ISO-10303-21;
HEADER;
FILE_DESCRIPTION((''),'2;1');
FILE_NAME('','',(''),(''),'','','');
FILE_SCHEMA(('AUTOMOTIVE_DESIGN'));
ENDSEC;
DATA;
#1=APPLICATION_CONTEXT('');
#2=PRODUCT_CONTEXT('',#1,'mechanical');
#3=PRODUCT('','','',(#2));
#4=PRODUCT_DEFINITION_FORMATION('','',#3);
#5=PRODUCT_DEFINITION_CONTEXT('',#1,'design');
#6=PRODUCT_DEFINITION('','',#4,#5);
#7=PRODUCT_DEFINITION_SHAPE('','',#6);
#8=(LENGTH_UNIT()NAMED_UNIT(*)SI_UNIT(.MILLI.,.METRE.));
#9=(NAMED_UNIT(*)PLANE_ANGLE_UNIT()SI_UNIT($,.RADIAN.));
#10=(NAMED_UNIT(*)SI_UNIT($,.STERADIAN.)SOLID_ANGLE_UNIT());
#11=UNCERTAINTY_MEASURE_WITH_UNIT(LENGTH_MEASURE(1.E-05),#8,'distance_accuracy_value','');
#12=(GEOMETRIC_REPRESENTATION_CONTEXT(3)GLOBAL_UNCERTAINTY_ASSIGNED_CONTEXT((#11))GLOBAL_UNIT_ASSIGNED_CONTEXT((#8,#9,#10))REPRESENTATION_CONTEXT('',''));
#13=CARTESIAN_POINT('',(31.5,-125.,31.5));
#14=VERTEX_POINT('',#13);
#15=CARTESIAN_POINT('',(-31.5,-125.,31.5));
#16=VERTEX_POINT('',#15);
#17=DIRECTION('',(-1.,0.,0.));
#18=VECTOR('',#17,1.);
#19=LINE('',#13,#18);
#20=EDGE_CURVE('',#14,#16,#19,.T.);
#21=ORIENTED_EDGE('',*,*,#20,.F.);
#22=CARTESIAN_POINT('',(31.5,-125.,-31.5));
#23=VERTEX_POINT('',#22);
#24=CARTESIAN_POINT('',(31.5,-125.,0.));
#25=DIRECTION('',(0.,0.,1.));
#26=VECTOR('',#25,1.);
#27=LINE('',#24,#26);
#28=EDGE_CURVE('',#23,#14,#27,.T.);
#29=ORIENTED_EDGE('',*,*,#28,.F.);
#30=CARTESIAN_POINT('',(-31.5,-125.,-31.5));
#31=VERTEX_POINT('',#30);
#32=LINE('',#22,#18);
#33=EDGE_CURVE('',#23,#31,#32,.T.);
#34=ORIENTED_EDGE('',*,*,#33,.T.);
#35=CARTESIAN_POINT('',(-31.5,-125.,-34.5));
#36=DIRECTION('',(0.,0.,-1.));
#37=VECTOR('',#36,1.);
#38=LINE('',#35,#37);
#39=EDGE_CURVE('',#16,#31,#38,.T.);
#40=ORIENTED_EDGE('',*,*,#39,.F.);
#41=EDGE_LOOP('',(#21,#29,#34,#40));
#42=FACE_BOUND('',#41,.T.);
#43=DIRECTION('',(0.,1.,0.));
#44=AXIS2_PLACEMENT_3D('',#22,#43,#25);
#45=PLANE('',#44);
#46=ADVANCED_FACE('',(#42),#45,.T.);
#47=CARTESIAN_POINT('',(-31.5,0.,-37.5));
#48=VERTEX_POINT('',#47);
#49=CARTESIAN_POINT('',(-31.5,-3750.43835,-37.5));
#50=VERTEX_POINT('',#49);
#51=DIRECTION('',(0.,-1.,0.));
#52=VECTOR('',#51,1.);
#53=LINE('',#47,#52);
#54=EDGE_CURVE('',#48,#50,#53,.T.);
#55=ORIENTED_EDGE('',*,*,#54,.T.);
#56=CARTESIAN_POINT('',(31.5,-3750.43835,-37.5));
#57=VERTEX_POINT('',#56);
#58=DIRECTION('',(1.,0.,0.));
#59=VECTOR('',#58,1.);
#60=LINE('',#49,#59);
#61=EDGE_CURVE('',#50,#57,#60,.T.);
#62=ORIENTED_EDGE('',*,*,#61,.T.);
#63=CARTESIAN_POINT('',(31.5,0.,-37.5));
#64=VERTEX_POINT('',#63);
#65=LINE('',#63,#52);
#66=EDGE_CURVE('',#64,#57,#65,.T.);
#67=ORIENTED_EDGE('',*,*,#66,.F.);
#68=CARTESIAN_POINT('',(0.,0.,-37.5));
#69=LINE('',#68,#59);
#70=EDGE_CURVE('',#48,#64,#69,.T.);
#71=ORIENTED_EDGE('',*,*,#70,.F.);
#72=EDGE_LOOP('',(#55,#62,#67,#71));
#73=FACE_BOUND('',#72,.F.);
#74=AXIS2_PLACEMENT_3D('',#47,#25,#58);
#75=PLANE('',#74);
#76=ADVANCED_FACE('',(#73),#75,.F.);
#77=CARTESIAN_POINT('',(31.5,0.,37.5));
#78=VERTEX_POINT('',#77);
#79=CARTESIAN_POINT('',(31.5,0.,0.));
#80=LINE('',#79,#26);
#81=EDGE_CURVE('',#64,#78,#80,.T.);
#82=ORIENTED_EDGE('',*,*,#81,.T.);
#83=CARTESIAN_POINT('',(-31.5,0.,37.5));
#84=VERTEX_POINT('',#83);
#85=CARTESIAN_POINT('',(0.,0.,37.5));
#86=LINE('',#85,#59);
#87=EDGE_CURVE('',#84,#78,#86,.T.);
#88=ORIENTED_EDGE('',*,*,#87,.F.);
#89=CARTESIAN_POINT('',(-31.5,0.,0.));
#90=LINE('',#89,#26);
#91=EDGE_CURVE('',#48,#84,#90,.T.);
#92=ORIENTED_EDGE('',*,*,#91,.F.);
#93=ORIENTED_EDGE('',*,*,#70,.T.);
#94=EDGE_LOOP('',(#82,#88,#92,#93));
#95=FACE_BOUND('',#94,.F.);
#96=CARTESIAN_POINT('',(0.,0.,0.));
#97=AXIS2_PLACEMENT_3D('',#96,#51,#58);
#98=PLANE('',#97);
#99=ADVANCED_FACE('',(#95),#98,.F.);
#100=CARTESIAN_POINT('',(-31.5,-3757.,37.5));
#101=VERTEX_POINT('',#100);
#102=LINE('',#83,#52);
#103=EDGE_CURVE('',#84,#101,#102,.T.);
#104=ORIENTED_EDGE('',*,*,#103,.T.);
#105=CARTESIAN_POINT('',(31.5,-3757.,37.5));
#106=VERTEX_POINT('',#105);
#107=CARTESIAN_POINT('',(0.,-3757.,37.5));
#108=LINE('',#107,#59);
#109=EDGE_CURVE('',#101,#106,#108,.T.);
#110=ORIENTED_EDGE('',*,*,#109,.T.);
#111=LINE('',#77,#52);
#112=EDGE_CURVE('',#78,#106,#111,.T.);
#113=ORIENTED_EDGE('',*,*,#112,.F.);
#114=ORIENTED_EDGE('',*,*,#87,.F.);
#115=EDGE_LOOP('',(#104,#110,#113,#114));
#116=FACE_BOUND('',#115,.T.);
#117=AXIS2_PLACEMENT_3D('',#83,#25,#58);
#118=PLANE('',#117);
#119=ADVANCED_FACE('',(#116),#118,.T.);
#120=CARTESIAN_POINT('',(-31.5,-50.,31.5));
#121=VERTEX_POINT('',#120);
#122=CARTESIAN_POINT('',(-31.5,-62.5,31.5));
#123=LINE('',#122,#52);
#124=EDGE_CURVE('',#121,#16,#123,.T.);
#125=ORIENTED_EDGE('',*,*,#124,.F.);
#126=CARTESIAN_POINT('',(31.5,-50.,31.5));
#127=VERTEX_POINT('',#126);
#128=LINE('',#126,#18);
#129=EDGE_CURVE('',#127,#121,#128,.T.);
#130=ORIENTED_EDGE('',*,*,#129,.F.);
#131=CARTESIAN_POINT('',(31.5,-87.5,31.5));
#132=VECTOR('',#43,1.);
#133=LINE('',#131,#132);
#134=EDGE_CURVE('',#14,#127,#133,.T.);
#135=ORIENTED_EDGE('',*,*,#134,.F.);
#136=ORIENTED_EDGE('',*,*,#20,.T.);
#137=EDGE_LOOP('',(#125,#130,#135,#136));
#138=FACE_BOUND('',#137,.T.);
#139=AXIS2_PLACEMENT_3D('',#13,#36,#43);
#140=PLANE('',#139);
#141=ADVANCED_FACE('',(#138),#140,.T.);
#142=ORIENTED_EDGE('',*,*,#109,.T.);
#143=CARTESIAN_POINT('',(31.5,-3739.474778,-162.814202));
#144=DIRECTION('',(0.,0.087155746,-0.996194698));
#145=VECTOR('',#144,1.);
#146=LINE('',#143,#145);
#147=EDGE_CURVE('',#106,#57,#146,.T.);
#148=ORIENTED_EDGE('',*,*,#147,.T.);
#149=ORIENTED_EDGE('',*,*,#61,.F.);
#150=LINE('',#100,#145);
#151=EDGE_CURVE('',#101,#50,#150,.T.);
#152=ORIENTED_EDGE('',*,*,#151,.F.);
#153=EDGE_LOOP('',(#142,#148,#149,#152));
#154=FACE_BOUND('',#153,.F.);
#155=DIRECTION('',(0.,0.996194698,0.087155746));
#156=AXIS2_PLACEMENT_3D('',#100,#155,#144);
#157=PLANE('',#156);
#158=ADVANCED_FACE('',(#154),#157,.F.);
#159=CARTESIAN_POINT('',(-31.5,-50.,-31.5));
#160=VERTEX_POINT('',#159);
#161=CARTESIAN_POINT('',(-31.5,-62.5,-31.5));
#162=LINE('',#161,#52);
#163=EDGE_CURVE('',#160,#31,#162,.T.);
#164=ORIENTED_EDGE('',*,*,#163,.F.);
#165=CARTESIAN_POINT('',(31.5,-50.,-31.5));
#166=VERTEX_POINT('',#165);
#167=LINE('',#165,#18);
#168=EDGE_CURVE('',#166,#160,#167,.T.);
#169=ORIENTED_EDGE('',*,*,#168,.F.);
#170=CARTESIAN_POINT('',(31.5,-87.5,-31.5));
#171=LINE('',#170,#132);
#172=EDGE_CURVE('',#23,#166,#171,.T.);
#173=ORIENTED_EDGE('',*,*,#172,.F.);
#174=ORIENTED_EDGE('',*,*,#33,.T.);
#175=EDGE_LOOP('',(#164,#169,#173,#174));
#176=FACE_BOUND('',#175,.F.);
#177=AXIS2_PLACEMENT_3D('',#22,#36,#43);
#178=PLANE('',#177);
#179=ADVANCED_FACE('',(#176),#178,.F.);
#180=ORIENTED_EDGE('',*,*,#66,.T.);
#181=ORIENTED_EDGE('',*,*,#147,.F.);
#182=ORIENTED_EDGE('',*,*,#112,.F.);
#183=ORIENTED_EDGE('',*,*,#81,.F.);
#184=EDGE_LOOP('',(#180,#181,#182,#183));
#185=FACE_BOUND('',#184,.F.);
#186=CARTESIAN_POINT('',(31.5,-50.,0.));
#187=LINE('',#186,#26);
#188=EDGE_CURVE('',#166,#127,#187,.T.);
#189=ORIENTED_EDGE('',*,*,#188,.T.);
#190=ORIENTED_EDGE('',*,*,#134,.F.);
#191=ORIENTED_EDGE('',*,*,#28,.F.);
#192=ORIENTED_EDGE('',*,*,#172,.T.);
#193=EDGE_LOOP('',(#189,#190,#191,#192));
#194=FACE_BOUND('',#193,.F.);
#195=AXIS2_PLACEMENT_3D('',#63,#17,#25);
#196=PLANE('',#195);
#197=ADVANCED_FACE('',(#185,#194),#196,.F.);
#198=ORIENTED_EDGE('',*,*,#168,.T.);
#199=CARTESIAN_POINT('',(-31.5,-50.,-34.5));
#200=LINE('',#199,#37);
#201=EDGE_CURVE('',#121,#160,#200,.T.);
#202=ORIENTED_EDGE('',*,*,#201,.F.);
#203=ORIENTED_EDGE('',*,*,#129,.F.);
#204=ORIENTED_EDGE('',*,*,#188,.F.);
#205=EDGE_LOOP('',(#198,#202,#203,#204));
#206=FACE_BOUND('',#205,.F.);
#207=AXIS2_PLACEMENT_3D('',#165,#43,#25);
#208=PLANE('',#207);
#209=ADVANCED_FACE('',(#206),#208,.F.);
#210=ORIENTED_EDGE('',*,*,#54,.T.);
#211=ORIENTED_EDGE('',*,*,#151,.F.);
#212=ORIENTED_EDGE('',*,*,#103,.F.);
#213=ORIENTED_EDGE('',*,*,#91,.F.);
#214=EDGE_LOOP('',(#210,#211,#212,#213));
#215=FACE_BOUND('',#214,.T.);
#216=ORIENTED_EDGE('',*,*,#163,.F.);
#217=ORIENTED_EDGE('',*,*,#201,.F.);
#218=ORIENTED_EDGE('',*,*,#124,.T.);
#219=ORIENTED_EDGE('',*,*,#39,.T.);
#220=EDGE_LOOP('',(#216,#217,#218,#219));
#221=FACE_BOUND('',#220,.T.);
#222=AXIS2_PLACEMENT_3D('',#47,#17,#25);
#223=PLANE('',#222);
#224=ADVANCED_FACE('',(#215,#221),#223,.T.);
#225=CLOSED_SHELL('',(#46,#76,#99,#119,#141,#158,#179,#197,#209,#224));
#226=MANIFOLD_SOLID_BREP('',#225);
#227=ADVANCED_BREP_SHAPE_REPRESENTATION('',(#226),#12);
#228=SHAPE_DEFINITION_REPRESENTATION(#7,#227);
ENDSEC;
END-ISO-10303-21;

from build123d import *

# Parameters (mm, degrees)
F0_W     = 63
F0_H     = 75
F1_DEPTH = 3757
F3_DEPTH = 63.001
F4_W     = 75
F4_H     = 63
F5_DEPTH = 63.001


with BuildPart() as f1:
    # F0 (on Front) → F1 (new body)
    with BuildSketch(Plane.XZ):
        Rectangle(F0_W, F0_H)
    extrude(amount=F1_DEPTH)

    # F2 (on face) → F3 (cut, through all)
    with BuildSketch(Plane(origin=(-31.5, 0, 0), x_dir=(0, -1, 0), z_dir=(-1, 0, 0))):
        Polygon((3757, -37.5), (3757, 37.5), (3750.43835, -37.5), align=None)
    extrude(amount=-F3_DEPTH, mode=Mode.SUBTRACT)

    # F4 (on face) → F5 (cut, through all)
    with BuildSketch(Plane.YZ.offset(31.5)):
        with Locations((-87.5, 0)):
            Rectangle(F4_W, F4_H)
    extrude(amount=-F5_DEPTH, mode=Mode.SUBTRACT)


solid = f1.part
